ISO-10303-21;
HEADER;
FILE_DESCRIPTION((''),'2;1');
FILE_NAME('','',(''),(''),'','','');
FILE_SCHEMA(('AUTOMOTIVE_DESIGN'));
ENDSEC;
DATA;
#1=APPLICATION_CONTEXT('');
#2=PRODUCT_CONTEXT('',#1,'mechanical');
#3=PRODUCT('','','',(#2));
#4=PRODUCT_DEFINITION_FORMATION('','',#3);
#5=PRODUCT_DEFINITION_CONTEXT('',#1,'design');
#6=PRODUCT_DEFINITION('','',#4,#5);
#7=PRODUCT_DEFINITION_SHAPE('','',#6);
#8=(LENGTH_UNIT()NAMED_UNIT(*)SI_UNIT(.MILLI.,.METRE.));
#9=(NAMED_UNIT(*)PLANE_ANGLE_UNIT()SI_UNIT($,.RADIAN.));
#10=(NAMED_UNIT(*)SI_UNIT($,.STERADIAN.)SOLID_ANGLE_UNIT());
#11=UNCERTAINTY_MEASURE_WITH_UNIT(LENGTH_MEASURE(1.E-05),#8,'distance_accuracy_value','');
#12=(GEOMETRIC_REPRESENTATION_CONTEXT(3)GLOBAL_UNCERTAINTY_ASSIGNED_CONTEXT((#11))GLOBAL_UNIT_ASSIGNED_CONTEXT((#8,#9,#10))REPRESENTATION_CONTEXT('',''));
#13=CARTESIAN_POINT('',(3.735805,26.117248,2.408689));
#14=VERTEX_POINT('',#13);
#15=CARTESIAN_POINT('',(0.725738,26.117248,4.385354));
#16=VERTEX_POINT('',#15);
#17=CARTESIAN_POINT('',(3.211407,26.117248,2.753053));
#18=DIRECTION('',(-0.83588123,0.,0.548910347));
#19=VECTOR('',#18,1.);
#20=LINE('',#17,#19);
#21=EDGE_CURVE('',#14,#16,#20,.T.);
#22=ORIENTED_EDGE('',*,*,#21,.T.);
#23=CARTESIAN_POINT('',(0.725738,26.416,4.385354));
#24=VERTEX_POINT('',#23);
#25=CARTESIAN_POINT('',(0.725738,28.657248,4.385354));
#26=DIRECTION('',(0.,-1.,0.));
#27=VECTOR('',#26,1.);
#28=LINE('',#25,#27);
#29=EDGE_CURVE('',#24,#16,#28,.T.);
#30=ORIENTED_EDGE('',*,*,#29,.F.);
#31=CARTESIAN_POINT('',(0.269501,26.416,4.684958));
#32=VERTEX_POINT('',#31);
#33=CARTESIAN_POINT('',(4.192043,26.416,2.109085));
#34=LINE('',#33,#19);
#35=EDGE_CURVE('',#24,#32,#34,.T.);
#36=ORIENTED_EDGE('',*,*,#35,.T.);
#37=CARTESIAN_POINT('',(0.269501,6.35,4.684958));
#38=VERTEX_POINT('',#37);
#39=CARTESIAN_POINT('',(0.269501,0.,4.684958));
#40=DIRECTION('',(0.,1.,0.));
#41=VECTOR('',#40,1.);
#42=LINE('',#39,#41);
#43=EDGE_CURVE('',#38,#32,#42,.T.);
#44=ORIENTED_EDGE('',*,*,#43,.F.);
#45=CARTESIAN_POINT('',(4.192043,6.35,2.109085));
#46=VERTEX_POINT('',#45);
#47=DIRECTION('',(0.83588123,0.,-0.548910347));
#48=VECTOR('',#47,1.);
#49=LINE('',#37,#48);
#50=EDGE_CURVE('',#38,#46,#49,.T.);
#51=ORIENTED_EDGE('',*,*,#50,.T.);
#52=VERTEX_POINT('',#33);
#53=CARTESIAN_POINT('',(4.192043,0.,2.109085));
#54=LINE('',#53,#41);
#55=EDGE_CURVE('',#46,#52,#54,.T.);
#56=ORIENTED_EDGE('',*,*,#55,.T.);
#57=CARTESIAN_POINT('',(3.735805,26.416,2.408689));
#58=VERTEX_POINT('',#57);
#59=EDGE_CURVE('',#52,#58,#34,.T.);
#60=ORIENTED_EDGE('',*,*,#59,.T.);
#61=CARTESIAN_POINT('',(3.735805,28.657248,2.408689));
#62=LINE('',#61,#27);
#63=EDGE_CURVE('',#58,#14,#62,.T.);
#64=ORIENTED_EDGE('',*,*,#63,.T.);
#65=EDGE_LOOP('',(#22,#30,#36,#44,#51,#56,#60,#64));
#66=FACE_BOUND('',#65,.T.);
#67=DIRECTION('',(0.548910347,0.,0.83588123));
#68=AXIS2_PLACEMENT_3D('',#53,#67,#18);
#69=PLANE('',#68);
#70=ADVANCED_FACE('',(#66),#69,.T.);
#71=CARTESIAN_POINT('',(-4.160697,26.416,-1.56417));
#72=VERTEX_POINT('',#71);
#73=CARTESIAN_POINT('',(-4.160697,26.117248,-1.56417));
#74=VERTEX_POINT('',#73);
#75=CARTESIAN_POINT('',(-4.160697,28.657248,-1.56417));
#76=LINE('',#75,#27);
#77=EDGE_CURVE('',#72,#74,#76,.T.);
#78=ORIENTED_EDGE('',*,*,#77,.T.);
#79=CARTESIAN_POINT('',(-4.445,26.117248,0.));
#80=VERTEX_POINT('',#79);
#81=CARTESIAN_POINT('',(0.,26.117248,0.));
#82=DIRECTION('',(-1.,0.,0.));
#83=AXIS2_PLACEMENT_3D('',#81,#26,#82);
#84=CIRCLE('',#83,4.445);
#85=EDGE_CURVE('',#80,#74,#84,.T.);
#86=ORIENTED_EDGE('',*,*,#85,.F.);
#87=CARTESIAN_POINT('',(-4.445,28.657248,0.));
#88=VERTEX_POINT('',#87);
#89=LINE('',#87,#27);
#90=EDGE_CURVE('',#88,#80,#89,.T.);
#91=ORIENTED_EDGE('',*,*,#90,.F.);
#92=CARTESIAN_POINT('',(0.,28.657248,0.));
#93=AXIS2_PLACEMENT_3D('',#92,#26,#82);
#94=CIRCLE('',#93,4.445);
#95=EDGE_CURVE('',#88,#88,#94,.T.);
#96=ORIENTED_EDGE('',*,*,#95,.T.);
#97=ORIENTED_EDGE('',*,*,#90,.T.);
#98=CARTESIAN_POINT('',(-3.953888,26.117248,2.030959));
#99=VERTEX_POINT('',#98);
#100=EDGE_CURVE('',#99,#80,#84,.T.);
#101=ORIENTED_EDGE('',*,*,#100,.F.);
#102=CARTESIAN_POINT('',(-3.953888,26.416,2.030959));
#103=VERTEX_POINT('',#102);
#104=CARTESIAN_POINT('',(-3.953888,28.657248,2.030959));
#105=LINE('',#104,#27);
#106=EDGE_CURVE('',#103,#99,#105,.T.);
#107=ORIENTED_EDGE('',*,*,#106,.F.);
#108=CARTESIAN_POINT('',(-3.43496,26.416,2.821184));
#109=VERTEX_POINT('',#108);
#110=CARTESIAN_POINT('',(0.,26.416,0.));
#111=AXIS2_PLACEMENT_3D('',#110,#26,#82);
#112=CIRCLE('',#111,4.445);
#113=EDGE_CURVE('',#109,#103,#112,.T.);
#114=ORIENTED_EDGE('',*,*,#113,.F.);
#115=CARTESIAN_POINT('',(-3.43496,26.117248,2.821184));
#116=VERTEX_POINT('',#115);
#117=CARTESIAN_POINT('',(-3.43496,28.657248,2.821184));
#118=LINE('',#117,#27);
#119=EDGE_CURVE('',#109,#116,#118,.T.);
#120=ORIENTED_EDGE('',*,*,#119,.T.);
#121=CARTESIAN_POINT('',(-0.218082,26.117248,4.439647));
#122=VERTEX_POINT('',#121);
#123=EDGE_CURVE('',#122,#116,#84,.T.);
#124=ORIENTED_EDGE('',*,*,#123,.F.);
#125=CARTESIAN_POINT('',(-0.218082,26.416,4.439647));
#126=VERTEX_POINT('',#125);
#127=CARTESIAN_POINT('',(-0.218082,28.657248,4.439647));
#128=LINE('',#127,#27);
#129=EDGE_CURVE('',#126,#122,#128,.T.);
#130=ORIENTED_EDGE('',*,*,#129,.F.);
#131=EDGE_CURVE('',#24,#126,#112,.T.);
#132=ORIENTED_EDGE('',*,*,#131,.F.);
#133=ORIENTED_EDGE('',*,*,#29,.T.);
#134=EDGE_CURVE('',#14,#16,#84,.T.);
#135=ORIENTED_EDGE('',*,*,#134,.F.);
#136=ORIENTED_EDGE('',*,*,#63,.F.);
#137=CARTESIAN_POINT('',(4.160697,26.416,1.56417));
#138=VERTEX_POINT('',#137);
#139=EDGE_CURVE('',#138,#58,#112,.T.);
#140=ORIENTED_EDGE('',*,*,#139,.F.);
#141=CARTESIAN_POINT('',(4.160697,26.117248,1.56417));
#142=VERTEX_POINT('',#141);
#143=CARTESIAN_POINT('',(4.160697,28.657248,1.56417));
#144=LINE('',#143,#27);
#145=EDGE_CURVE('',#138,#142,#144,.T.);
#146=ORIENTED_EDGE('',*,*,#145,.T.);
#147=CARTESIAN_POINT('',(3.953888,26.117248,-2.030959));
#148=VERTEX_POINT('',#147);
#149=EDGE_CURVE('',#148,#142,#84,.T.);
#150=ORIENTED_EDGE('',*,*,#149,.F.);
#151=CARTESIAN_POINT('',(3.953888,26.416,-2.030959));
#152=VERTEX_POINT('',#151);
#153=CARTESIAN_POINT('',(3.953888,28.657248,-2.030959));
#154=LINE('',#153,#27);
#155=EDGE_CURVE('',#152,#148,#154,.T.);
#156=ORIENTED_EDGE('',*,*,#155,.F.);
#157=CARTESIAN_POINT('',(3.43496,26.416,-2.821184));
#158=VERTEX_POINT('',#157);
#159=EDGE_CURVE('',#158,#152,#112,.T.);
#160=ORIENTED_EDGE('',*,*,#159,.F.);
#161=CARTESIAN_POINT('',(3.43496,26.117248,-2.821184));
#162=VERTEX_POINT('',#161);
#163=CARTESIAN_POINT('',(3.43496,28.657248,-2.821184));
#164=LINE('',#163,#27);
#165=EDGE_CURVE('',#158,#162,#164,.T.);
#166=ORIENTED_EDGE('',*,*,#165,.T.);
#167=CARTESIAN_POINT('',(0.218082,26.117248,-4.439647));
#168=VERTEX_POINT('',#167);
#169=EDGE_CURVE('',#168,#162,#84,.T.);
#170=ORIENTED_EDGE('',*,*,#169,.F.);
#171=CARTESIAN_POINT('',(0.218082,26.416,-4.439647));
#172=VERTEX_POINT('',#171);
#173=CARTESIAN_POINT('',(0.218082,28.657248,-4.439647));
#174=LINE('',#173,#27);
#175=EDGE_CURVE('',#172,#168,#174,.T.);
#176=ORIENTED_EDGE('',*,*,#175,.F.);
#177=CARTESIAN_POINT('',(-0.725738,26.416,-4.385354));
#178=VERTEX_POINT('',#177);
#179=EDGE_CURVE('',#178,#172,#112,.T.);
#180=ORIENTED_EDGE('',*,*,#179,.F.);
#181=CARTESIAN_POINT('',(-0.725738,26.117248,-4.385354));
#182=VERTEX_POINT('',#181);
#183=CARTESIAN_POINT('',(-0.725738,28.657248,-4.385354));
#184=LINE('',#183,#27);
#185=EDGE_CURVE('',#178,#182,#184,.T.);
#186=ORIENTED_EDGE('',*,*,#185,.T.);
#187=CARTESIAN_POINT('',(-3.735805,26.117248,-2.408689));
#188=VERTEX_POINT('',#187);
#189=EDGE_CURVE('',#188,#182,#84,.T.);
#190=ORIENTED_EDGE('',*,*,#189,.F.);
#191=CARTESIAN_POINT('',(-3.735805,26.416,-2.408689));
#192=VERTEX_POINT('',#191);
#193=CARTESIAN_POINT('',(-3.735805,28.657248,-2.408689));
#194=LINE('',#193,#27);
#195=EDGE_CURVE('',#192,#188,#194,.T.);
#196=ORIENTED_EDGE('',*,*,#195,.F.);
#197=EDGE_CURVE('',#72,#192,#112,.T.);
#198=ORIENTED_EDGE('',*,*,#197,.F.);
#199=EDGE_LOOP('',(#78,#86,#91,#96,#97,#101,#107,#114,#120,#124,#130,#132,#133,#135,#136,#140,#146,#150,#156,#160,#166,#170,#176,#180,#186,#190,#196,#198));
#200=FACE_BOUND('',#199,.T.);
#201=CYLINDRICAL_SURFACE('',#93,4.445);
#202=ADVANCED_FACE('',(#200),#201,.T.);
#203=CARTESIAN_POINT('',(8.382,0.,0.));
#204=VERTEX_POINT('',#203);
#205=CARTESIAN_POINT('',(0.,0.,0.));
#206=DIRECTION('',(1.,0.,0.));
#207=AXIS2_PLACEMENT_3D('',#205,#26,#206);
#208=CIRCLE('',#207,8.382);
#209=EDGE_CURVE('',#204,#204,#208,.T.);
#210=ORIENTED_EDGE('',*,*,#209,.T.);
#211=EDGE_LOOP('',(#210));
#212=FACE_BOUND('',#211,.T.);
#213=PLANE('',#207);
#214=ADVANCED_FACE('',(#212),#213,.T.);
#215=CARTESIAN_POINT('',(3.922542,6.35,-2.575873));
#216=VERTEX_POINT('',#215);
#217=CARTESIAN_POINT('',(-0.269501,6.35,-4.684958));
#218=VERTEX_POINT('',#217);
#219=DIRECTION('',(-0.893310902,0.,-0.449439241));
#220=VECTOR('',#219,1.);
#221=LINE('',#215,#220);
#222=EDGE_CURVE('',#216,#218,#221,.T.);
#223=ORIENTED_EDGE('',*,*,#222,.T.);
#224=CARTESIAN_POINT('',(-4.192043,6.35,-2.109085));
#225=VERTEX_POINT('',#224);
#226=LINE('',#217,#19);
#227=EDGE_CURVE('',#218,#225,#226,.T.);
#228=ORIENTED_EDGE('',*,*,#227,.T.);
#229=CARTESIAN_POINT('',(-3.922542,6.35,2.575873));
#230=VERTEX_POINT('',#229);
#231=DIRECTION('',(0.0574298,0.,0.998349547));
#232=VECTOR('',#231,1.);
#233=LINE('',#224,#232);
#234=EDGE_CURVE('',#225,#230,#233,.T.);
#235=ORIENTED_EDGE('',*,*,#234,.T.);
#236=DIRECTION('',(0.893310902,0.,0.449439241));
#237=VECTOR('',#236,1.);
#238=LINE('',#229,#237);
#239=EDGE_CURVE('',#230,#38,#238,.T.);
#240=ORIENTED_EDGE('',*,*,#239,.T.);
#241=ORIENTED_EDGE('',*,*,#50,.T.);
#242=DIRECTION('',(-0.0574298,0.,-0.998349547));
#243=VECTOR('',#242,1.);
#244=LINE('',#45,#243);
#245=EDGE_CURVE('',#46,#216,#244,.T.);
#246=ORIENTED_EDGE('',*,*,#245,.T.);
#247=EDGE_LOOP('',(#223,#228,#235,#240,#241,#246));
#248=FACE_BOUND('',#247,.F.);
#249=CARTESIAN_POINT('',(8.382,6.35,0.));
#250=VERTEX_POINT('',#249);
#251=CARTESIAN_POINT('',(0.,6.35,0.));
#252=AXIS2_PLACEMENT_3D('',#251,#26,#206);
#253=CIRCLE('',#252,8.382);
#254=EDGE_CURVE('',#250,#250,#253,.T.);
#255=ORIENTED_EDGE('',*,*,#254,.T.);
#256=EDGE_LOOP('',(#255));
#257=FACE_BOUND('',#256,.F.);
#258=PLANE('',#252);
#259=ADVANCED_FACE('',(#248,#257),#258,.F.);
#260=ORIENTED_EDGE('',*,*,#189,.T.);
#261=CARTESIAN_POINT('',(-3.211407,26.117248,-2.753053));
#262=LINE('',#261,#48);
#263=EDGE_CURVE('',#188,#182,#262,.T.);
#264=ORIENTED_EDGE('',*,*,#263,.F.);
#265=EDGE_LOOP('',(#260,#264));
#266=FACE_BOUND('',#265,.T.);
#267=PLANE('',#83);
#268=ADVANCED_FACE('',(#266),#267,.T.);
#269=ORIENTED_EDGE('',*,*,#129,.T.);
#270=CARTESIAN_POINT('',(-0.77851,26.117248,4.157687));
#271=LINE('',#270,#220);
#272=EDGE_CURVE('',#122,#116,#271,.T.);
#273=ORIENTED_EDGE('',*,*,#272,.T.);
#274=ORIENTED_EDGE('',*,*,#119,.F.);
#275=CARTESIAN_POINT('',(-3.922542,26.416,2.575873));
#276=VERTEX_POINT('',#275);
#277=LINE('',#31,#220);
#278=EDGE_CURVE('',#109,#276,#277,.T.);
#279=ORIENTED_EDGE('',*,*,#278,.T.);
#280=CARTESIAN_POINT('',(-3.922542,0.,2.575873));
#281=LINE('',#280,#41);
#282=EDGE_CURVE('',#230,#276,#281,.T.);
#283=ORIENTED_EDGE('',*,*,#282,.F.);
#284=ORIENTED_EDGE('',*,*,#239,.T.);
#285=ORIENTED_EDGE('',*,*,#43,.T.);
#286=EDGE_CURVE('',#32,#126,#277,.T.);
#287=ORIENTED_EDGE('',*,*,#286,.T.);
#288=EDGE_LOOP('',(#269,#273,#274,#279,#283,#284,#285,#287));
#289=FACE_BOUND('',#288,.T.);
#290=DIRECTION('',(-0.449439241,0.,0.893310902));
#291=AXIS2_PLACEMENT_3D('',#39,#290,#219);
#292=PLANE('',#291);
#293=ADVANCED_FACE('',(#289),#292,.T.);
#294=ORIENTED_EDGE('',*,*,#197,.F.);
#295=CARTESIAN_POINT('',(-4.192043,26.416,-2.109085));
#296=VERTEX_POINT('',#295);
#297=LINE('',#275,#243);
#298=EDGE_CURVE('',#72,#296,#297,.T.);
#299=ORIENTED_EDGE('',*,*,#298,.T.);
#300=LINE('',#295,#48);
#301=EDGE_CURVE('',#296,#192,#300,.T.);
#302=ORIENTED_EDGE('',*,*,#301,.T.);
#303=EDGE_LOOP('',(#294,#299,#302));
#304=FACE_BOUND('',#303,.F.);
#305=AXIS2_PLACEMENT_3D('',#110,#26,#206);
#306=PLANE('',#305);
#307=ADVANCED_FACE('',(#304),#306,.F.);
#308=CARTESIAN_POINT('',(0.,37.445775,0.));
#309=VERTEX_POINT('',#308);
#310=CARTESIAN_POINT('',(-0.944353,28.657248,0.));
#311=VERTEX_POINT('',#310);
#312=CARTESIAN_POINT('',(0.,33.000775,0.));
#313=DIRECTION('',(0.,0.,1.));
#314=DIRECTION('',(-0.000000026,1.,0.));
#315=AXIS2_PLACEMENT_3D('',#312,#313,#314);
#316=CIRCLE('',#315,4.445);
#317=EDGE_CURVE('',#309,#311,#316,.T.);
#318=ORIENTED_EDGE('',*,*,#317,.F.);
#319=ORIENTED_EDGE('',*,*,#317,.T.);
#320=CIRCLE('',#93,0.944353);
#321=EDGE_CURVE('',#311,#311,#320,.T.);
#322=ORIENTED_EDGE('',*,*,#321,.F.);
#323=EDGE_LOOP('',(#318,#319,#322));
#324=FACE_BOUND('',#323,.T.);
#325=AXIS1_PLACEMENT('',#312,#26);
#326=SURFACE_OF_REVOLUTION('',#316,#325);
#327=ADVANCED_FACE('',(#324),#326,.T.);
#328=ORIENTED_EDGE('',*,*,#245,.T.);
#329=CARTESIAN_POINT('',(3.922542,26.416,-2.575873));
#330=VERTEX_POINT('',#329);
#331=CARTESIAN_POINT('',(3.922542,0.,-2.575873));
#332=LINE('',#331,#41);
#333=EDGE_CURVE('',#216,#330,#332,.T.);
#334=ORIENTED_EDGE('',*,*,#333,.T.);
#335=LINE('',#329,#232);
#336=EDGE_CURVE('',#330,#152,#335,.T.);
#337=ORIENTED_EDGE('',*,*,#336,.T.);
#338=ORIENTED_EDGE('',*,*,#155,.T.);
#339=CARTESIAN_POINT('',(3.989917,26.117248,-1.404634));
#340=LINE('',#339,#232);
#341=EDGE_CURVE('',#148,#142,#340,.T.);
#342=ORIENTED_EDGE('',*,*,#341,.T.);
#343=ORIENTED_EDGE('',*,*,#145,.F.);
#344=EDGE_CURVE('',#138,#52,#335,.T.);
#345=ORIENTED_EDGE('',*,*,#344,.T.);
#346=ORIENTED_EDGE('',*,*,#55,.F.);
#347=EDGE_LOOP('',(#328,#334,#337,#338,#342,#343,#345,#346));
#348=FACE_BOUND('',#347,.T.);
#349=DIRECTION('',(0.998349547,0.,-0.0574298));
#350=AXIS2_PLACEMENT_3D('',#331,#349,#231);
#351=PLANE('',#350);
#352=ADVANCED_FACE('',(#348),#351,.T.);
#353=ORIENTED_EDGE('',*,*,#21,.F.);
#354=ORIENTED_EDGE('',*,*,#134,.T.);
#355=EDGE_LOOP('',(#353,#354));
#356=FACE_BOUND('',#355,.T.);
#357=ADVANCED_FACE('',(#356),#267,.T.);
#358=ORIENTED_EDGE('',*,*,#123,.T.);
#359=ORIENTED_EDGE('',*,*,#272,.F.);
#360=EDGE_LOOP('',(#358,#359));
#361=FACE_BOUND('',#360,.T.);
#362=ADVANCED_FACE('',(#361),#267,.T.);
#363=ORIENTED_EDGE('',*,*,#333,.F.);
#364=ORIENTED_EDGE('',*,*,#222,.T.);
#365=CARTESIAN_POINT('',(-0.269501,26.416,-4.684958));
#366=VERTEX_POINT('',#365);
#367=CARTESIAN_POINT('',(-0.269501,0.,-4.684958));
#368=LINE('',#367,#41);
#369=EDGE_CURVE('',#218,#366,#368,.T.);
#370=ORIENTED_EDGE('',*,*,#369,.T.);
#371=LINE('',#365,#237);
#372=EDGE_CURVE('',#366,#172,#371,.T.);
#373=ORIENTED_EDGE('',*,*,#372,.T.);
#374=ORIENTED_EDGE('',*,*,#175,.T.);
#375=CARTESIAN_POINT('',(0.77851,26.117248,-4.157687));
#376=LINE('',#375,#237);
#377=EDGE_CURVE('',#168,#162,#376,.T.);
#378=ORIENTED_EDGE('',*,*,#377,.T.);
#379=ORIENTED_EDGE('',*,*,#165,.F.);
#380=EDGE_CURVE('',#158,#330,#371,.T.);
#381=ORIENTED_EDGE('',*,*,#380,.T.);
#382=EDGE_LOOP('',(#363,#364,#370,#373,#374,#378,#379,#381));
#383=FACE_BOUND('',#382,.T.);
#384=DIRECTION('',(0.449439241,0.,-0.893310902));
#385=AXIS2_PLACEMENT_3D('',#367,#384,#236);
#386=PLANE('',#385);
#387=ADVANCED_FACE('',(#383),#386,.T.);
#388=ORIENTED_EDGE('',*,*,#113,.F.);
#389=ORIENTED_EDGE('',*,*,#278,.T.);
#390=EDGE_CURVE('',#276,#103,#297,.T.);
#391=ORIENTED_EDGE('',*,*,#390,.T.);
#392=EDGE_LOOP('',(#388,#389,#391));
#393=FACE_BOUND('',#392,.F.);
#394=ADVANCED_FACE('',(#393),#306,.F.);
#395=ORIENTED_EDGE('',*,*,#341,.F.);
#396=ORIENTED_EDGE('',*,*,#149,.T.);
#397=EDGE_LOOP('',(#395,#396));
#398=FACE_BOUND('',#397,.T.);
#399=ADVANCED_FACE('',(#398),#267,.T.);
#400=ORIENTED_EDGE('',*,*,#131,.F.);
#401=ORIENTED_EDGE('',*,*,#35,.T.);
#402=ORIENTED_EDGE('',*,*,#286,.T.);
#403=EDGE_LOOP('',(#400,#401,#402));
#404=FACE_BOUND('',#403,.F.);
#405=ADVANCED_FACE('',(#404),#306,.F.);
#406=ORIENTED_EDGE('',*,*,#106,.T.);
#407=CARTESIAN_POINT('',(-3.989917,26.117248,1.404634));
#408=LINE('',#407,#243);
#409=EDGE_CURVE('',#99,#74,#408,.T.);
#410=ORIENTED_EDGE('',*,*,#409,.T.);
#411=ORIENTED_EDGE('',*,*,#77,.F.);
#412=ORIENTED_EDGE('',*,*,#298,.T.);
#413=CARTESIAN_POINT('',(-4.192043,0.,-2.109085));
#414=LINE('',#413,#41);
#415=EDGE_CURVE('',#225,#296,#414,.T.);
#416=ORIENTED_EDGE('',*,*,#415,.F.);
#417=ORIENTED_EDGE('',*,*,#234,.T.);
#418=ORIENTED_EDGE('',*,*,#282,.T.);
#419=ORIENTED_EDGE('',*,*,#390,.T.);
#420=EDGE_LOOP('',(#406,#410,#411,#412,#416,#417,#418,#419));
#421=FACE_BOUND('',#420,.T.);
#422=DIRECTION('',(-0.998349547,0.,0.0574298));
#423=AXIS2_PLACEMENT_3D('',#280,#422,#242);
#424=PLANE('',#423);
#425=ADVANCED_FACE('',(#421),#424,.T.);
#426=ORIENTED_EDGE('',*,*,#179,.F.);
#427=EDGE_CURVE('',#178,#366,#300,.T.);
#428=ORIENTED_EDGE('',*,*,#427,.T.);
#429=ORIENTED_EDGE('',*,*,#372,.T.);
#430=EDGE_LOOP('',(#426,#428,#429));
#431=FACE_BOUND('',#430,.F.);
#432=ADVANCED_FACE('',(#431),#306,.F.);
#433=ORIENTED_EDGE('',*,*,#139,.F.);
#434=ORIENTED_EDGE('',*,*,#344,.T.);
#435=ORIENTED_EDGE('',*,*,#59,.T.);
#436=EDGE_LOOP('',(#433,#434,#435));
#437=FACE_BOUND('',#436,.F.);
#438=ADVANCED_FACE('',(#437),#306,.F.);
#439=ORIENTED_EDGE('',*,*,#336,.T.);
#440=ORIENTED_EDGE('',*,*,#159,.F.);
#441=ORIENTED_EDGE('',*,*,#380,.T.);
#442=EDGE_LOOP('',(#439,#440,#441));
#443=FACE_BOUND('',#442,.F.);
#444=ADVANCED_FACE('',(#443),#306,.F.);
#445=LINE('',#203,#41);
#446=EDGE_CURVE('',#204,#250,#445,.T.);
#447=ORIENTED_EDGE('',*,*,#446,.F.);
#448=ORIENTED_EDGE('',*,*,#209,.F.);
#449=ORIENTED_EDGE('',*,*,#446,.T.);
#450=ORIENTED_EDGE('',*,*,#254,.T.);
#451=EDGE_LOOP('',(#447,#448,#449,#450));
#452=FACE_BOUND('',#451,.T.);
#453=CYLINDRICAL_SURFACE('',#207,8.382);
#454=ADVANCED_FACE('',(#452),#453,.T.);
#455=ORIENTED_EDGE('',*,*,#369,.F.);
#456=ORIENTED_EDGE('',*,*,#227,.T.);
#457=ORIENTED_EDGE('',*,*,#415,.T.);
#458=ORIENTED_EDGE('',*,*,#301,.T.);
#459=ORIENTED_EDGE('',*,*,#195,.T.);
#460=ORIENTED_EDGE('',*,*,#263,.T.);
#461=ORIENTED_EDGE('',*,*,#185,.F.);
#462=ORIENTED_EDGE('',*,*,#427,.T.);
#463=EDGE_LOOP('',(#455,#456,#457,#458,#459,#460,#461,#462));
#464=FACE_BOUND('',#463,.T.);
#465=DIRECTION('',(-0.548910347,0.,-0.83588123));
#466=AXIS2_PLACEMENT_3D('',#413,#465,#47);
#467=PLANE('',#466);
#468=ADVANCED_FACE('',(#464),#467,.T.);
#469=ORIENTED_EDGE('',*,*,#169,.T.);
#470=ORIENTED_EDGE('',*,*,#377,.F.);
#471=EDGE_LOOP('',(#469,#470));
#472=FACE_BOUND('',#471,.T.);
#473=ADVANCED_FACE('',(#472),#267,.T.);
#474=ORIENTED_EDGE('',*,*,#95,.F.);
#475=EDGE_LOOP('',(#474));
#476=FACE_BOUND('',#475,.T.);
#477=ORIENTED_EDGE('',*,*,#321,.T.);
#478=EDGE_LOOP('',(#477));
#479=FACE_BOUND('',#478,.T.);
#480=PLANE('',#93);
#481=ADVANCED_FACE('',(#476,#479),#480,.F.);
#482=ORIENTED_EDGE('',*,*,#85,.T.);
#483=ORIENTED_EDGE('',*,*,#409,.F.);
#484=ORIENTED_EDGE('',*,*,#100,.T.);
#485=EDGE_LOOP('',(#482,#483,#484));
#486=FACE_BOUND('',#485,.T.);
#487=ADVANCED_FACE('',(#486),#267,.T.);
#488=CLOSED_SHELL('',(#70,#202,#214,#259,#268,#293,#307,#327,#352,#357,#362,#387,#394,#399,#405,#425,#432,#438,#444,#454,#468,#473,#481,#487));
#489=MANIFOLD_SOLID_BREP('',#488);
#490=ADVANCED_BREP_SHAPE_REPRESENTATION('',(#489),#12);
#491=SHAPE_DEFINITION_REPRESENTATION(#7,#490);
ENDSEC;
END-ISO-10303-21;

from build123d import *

# Parameters (mm, degrees)
F3_DEPTH = 26.416
F2_R     = 8.382
F4_DEPTH = 6.35


with BuildPart() as f1:
    # F0 (on Top) → F1 (revolve)
    with BuildSketch(Plane.XY):
        with BuildLine():
            Line((0, 28.657248), (0, 37.445775))
            ThreePointArc((0, 37.445775), (-4.419559, 33.475669), (-0.944353, 28.657248))
            Line((-0.944353, 28.657248), (-4.445, 28.657248))
            Line((-4.445, 28.657248), (-4.445, 26.117248))
            Line((-4.445, 26.117248), (0, 26.117248))
            Line((0, 26.117248), (0, 28.555775))
            Line((0, 28.555775), (0, 28.657248))
        make_face()
    revolve(axis=Axis((0, 33.000775, 0), (0, -1, 0)))

    # F2 (on Front) → F3 (join)
    with BuildSketch(Plane.XZ):
        Polygon((-4.192043, -2.109085), (-0.269501, -4.684958), (3.922542, -2.575873), (4.192043, 2.109085), (0.269501, 4.684958), (-3.922542, 2.575873), align=None)
    extrude(amount=-F3_DEPTH)

    # F2 (on Front) → F4 (join)
    with BuildSketch(Plane.XZ):
        Circle(F2_R)
        Polygon((3.922542, -2.575873), (-0.269501, -4.684958), (-4.192043, -2.109085), (-3.922542, 2.575873), (0.269501, 4.684958), (4.192043, 2.109085), align=None, mode=Mode.SUBTRACT)
    extrude(amount=-F4_DEPTH)


solid = f1.part
